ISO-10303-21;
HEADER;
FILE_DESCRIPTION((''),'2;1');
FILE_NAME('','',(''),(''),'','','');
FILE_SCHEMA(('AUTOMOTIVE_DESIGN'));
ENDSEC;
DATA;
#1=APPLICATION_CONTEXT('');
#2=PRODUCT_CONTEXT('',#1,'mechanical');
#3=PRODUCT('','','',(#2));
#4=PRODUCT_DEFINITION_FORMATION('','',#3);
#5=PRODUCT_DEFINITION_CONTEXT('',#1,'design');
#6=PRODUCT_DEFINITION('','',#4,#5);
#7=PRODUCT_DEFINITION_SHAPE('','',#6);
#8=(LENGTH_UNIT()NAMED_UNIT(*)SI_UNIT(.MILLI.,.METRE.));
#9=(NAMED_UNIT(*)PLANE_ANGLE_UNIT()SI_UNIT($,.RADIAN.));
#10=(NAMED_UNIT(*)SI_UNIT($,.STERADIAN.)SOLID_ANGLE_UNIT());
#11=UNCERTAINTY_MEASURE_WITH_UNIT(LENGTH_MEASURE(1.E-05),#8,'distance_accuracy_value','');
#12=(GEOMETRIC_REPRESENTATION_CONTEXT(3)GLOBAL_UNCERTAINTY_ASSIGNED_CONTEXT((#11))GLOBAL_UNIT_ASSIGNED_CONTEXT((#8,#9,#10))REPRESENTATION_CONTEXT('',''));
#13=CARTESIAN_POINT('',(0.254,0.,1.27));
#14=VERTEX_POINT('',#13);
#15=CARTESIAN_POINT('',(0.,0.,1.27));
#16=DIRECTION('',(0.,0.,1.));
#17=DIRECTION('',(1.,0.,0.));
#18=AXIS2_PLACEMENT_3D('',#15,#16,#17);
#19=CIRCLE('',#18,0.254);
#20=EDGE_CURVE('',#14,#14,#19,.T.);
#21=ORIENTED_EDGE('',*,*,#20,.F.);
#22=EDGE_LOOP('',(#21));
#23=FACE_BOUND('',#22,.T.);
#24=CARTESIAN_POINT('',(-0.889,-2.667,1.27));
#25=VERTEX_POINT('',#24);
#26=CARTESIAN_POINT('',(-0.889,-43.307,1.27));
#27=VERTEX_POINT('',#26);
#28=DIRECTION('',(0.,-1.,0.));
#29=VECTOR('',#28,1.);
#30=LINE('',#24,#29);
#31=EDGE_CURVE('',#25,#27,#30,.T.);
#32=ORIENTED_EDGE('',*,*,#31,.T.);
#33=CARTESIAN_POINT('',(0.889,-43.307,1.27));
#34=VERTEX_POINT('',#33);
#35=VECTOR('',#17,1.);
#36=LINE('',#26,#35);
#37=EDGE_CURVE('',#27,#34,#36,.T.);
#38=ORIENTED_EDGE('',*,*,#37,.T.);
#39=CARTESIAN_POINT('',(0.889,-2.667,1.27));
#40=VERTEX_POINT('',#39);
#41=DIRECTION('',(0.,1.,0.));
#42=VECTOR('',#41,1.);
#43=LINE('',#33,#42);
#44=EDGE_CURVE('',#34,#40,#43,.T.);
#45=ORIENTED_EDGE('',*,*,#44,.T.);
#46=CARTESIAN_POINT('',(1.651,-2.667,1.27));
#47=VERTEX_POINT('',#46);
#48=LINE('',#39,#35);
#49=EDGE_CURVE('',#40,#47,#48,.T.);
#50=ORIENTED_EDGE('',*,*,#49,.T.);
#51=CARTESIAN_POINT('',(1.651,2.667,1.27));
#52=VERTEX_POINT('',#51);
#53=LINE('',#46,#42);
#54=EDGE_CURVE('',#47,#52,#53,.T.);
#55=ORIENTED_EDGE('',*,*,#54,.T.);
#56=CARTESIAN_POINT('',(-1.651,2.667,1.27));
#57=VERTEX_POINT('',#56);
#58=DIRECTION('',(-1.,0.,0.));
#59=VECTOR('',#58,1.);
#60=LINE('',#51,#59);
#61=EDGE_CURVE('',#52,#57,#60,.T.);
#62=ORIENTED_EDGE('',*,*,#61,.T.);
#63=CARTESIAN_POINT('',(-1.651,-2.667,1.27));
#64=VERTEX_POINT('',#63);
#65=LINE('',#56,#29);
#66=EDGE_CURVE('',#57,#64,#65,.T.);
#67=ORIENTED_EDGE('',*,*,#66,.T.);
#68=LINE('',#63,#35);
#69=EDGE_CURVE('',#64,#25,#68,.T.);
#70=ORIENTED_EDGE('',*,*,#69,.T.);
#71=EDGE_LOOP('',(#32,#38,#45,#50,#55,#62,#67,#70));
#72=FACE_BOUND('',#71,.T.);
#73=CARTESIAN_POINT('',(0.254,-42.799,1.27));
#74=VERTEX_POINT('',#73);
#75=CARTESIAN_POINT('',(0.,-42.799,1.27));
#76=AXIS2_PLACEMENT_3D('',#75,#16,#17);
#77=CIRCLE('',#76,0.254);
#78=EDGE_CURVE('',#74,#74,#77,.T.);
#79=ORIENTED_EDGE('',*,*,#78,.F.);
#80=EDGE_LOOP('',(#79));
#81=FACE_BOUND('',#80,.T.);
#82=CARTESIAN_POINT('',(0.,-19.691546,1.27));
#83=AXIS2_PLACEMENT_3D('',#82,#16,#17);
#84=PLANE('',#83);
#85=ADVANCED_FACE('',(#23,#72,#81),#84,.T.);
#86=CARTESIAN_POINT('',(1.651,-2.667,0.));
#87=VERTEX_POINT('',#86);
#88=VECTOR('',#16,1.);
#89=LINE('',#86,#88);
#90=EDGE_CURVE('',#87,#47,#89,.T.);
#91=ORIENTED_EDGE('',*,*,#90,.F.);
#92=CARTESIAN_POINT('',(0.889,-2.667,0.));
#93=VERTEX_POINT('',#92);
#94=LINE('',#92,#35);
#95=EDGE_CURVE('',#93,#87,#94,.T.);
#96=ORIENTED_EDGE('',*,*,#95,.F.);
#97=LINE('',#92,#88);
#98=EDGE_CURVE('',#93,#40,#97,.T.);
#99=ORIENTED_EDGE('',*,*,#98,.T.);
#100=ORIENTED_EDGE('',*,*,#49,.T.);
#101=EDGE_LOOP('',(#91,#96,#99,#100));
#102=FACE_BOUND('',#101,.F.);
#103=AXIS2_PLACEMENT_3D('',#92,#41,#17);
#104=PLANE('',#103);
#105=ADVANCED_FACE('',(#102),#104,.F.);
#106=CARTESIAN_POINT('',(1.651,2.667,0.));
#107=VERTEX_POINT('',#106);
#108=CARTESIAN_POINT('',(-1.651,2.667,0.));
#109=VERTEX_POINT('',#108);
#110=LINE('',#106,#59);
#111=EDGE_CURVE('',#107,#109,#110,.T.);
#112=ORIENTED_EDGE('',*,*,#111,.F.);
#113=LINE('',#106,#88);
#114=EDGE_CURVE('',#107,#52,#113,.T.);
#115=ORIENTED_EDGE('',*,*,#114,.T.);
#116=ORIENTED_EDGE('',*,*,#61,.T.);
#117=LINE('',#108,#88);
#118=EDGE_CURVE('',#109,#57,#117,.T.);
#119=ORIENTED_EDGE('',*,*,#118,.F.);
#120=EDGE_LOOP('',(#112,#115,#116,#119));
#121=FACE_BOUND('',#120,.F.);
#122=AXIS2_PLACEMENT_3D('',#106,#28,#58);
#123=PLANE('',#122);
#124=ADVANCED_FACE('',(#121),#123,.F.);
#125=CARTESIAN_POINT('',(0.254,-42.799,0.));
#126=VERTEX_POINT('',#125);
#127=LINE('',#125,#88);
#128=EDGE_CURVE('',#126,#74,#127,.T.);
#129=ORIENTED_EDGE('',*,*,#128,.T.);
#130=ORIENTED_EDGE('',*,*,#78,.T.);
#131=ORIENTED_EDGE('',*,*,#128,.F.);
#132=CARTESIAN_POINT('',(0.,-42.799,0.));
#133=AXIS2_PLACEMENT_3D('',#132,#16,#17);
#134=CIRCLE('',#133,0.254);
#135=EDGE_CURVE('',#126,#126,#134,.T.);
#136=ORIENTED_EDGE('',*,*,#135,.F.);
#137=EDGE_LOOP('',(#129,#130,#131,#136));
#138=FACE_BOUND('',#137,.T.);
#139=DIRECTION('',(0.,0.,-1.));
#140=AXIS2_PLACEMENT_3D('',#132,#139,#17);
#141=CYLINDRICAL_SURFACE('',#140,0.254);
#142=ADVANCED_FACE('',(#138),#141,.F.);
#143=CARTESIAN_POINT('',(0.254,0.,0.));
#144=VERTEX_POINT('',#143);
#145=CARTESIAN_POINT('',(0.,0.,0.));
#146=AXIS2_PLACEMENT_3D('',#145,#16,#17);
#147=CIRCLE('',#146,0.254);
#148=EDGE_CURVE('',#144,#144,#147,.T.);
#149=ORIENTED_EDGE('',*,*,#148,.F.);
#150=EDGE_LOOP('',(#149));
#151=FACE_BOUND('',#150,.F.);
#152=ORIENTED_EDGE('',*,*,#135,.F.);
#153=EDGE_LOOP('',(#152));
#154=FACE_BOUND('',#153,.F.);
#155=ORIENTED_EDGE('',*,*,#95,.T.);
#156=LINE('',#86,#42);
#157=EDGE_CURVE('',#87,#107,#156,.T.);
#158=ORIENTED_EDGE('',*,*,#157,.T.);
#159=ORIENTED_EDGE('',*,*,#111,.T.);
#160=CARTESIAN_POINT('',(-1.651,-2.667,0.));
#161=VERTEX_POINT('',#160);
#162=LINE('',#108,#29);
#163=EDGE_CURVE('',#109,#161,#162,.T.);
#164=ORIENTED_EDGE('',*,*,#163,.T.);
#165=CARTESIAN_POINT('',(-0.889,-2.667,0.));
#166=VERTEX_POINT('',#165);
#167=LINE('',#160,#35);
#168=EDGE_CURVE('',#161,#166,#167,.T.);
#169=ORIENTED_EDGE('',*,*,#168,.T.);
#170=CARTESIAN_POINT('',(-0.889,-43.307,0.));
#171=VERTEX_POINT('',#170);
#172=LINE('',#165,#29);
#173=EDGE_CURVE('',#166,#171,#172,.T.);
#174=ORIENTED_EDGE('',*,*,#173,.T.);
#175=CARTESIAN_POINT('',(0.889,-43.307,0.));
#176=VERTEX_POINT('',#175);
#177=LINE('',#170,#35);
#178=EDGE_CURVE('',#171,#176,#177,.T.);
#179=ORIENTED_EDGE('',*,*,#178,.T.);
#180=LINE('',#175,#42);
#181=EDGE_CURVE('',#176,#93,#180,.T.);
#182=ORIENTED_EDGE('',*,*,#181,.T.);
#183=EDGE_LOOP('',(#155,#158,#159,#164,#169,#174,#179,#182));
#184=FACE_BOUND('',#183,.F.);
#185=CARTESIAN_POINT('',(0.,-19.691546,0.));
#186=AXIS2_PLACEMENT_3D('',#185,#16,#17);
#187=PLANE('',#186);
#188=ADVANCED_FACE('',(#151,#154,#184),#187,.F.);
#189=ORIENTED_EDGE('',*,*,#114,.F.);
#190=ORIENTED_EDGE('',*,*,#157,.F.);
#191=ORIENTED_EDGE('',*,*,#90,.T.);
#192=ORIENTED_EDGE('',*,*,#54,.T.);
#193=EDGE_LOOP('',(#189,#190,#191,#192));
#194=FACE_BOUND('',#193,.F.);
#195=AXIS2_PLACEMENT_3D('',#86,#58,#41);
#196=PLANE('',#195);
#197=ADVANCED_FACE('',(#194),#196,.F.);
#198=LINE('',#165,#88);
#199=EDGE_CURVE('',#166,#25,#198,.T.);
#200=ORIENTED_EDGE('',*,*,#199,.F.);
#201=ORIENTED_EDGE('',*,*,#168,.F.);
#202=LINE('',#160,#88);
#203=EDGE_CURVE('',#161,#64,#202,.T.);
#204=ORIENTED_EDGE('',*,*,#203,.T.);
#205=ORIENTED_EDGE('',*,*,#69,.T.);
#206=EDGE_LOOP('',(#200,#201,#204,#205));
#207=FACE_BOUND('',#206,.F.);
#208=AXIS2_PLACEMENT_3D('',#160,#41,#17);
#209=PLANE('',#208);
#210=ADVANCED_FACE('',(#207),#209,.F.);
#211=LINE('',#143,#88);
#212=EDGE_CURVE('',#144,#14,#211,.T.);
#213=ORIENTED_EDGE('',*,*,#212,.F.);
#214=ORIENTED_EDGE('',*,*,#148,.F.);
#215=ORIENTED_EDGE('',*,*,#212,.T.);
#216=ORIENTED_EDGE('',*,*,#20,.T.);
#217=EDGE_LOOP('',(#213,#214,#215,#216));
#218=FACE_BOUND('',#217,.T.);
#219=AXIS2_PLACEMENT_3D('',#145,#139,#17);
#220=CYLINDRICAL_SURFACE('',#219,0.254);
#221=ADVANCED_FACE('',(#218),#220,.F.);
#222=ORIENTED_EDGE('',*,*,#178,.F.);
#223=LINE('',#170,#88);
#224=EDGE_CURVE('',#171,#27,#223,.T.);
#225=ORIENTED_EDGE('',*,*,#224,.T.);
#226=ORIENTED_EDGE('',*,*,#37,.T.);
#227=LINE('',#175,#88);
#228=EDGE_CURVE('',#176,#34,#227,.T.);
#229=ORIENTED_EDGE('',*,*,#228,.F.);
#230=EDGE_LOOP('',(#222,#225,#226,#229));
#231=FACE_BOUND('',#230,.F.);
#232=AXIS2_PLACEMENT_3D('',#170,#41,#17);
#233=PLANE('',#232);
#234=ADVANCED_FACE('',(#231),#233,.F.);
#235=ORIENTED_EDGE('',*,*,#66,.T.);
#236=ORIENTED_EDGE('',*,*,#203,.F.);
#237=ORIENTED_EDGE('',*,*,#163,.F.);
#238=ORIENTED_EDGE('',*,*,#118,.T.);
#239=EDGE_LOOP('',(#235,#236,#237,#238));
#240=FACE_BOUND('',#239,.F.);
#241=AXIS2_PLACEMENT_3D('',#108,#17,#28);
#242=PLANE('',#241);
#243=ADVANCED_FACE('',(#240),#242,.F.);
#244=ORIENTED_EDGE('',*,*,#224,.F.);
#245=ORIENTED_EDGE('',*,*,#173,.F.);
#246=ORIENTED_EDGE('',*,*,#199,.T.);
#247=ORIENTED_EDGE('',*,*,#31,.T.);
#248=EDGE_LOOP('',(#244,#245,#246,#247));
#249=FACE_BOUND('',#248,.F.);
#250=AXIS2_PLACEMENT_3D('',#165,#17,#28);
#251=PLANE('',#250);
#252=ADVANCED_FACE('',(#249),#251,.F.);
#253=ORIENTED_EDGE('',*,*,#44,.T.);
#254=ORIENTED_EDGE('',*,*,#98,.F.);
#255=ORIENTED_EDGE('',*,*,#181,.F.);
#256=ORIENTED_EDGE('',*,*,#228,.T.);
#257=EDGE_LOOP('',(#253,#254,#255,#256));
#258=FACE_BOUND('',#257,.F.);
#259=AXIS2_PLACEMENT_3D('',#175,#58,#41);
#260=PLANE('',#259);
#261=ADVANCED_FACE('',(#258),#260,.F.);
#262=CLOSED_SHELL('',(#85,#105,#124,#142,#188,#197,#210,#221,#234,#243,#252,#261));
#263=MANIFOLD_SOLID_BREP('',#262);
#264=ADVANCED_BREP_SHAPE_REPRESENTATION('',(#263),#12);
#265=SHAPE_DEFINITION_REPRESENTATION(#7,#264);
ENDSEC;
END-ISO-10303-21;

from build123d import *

# Parameters (mm, degrees)
F0_R     = 0.254
F1_DEPTH = 1.27


with BuildPart() as f1:
    # F0 (on Top) → F1 (new body)
    with BuildSketch(Plane.XY):
        Polygon((0.889, -2.667), (1.651, -2.667), (1.651, 2.667), (-1.651, 2.667), (-1.651, -2.667), (-0.889, -2.667), (-0.889, -43.307), (0.889, -43.307), align=None)
        with Locations((0, -42.799)):
            Circle(F0_R, mode=Mode.SUBTRACT)
        Circle(F0_R, mode=Mode.SUBTRACT)
    extrude(amount=F1_DEPTH)


solid = f1.part
